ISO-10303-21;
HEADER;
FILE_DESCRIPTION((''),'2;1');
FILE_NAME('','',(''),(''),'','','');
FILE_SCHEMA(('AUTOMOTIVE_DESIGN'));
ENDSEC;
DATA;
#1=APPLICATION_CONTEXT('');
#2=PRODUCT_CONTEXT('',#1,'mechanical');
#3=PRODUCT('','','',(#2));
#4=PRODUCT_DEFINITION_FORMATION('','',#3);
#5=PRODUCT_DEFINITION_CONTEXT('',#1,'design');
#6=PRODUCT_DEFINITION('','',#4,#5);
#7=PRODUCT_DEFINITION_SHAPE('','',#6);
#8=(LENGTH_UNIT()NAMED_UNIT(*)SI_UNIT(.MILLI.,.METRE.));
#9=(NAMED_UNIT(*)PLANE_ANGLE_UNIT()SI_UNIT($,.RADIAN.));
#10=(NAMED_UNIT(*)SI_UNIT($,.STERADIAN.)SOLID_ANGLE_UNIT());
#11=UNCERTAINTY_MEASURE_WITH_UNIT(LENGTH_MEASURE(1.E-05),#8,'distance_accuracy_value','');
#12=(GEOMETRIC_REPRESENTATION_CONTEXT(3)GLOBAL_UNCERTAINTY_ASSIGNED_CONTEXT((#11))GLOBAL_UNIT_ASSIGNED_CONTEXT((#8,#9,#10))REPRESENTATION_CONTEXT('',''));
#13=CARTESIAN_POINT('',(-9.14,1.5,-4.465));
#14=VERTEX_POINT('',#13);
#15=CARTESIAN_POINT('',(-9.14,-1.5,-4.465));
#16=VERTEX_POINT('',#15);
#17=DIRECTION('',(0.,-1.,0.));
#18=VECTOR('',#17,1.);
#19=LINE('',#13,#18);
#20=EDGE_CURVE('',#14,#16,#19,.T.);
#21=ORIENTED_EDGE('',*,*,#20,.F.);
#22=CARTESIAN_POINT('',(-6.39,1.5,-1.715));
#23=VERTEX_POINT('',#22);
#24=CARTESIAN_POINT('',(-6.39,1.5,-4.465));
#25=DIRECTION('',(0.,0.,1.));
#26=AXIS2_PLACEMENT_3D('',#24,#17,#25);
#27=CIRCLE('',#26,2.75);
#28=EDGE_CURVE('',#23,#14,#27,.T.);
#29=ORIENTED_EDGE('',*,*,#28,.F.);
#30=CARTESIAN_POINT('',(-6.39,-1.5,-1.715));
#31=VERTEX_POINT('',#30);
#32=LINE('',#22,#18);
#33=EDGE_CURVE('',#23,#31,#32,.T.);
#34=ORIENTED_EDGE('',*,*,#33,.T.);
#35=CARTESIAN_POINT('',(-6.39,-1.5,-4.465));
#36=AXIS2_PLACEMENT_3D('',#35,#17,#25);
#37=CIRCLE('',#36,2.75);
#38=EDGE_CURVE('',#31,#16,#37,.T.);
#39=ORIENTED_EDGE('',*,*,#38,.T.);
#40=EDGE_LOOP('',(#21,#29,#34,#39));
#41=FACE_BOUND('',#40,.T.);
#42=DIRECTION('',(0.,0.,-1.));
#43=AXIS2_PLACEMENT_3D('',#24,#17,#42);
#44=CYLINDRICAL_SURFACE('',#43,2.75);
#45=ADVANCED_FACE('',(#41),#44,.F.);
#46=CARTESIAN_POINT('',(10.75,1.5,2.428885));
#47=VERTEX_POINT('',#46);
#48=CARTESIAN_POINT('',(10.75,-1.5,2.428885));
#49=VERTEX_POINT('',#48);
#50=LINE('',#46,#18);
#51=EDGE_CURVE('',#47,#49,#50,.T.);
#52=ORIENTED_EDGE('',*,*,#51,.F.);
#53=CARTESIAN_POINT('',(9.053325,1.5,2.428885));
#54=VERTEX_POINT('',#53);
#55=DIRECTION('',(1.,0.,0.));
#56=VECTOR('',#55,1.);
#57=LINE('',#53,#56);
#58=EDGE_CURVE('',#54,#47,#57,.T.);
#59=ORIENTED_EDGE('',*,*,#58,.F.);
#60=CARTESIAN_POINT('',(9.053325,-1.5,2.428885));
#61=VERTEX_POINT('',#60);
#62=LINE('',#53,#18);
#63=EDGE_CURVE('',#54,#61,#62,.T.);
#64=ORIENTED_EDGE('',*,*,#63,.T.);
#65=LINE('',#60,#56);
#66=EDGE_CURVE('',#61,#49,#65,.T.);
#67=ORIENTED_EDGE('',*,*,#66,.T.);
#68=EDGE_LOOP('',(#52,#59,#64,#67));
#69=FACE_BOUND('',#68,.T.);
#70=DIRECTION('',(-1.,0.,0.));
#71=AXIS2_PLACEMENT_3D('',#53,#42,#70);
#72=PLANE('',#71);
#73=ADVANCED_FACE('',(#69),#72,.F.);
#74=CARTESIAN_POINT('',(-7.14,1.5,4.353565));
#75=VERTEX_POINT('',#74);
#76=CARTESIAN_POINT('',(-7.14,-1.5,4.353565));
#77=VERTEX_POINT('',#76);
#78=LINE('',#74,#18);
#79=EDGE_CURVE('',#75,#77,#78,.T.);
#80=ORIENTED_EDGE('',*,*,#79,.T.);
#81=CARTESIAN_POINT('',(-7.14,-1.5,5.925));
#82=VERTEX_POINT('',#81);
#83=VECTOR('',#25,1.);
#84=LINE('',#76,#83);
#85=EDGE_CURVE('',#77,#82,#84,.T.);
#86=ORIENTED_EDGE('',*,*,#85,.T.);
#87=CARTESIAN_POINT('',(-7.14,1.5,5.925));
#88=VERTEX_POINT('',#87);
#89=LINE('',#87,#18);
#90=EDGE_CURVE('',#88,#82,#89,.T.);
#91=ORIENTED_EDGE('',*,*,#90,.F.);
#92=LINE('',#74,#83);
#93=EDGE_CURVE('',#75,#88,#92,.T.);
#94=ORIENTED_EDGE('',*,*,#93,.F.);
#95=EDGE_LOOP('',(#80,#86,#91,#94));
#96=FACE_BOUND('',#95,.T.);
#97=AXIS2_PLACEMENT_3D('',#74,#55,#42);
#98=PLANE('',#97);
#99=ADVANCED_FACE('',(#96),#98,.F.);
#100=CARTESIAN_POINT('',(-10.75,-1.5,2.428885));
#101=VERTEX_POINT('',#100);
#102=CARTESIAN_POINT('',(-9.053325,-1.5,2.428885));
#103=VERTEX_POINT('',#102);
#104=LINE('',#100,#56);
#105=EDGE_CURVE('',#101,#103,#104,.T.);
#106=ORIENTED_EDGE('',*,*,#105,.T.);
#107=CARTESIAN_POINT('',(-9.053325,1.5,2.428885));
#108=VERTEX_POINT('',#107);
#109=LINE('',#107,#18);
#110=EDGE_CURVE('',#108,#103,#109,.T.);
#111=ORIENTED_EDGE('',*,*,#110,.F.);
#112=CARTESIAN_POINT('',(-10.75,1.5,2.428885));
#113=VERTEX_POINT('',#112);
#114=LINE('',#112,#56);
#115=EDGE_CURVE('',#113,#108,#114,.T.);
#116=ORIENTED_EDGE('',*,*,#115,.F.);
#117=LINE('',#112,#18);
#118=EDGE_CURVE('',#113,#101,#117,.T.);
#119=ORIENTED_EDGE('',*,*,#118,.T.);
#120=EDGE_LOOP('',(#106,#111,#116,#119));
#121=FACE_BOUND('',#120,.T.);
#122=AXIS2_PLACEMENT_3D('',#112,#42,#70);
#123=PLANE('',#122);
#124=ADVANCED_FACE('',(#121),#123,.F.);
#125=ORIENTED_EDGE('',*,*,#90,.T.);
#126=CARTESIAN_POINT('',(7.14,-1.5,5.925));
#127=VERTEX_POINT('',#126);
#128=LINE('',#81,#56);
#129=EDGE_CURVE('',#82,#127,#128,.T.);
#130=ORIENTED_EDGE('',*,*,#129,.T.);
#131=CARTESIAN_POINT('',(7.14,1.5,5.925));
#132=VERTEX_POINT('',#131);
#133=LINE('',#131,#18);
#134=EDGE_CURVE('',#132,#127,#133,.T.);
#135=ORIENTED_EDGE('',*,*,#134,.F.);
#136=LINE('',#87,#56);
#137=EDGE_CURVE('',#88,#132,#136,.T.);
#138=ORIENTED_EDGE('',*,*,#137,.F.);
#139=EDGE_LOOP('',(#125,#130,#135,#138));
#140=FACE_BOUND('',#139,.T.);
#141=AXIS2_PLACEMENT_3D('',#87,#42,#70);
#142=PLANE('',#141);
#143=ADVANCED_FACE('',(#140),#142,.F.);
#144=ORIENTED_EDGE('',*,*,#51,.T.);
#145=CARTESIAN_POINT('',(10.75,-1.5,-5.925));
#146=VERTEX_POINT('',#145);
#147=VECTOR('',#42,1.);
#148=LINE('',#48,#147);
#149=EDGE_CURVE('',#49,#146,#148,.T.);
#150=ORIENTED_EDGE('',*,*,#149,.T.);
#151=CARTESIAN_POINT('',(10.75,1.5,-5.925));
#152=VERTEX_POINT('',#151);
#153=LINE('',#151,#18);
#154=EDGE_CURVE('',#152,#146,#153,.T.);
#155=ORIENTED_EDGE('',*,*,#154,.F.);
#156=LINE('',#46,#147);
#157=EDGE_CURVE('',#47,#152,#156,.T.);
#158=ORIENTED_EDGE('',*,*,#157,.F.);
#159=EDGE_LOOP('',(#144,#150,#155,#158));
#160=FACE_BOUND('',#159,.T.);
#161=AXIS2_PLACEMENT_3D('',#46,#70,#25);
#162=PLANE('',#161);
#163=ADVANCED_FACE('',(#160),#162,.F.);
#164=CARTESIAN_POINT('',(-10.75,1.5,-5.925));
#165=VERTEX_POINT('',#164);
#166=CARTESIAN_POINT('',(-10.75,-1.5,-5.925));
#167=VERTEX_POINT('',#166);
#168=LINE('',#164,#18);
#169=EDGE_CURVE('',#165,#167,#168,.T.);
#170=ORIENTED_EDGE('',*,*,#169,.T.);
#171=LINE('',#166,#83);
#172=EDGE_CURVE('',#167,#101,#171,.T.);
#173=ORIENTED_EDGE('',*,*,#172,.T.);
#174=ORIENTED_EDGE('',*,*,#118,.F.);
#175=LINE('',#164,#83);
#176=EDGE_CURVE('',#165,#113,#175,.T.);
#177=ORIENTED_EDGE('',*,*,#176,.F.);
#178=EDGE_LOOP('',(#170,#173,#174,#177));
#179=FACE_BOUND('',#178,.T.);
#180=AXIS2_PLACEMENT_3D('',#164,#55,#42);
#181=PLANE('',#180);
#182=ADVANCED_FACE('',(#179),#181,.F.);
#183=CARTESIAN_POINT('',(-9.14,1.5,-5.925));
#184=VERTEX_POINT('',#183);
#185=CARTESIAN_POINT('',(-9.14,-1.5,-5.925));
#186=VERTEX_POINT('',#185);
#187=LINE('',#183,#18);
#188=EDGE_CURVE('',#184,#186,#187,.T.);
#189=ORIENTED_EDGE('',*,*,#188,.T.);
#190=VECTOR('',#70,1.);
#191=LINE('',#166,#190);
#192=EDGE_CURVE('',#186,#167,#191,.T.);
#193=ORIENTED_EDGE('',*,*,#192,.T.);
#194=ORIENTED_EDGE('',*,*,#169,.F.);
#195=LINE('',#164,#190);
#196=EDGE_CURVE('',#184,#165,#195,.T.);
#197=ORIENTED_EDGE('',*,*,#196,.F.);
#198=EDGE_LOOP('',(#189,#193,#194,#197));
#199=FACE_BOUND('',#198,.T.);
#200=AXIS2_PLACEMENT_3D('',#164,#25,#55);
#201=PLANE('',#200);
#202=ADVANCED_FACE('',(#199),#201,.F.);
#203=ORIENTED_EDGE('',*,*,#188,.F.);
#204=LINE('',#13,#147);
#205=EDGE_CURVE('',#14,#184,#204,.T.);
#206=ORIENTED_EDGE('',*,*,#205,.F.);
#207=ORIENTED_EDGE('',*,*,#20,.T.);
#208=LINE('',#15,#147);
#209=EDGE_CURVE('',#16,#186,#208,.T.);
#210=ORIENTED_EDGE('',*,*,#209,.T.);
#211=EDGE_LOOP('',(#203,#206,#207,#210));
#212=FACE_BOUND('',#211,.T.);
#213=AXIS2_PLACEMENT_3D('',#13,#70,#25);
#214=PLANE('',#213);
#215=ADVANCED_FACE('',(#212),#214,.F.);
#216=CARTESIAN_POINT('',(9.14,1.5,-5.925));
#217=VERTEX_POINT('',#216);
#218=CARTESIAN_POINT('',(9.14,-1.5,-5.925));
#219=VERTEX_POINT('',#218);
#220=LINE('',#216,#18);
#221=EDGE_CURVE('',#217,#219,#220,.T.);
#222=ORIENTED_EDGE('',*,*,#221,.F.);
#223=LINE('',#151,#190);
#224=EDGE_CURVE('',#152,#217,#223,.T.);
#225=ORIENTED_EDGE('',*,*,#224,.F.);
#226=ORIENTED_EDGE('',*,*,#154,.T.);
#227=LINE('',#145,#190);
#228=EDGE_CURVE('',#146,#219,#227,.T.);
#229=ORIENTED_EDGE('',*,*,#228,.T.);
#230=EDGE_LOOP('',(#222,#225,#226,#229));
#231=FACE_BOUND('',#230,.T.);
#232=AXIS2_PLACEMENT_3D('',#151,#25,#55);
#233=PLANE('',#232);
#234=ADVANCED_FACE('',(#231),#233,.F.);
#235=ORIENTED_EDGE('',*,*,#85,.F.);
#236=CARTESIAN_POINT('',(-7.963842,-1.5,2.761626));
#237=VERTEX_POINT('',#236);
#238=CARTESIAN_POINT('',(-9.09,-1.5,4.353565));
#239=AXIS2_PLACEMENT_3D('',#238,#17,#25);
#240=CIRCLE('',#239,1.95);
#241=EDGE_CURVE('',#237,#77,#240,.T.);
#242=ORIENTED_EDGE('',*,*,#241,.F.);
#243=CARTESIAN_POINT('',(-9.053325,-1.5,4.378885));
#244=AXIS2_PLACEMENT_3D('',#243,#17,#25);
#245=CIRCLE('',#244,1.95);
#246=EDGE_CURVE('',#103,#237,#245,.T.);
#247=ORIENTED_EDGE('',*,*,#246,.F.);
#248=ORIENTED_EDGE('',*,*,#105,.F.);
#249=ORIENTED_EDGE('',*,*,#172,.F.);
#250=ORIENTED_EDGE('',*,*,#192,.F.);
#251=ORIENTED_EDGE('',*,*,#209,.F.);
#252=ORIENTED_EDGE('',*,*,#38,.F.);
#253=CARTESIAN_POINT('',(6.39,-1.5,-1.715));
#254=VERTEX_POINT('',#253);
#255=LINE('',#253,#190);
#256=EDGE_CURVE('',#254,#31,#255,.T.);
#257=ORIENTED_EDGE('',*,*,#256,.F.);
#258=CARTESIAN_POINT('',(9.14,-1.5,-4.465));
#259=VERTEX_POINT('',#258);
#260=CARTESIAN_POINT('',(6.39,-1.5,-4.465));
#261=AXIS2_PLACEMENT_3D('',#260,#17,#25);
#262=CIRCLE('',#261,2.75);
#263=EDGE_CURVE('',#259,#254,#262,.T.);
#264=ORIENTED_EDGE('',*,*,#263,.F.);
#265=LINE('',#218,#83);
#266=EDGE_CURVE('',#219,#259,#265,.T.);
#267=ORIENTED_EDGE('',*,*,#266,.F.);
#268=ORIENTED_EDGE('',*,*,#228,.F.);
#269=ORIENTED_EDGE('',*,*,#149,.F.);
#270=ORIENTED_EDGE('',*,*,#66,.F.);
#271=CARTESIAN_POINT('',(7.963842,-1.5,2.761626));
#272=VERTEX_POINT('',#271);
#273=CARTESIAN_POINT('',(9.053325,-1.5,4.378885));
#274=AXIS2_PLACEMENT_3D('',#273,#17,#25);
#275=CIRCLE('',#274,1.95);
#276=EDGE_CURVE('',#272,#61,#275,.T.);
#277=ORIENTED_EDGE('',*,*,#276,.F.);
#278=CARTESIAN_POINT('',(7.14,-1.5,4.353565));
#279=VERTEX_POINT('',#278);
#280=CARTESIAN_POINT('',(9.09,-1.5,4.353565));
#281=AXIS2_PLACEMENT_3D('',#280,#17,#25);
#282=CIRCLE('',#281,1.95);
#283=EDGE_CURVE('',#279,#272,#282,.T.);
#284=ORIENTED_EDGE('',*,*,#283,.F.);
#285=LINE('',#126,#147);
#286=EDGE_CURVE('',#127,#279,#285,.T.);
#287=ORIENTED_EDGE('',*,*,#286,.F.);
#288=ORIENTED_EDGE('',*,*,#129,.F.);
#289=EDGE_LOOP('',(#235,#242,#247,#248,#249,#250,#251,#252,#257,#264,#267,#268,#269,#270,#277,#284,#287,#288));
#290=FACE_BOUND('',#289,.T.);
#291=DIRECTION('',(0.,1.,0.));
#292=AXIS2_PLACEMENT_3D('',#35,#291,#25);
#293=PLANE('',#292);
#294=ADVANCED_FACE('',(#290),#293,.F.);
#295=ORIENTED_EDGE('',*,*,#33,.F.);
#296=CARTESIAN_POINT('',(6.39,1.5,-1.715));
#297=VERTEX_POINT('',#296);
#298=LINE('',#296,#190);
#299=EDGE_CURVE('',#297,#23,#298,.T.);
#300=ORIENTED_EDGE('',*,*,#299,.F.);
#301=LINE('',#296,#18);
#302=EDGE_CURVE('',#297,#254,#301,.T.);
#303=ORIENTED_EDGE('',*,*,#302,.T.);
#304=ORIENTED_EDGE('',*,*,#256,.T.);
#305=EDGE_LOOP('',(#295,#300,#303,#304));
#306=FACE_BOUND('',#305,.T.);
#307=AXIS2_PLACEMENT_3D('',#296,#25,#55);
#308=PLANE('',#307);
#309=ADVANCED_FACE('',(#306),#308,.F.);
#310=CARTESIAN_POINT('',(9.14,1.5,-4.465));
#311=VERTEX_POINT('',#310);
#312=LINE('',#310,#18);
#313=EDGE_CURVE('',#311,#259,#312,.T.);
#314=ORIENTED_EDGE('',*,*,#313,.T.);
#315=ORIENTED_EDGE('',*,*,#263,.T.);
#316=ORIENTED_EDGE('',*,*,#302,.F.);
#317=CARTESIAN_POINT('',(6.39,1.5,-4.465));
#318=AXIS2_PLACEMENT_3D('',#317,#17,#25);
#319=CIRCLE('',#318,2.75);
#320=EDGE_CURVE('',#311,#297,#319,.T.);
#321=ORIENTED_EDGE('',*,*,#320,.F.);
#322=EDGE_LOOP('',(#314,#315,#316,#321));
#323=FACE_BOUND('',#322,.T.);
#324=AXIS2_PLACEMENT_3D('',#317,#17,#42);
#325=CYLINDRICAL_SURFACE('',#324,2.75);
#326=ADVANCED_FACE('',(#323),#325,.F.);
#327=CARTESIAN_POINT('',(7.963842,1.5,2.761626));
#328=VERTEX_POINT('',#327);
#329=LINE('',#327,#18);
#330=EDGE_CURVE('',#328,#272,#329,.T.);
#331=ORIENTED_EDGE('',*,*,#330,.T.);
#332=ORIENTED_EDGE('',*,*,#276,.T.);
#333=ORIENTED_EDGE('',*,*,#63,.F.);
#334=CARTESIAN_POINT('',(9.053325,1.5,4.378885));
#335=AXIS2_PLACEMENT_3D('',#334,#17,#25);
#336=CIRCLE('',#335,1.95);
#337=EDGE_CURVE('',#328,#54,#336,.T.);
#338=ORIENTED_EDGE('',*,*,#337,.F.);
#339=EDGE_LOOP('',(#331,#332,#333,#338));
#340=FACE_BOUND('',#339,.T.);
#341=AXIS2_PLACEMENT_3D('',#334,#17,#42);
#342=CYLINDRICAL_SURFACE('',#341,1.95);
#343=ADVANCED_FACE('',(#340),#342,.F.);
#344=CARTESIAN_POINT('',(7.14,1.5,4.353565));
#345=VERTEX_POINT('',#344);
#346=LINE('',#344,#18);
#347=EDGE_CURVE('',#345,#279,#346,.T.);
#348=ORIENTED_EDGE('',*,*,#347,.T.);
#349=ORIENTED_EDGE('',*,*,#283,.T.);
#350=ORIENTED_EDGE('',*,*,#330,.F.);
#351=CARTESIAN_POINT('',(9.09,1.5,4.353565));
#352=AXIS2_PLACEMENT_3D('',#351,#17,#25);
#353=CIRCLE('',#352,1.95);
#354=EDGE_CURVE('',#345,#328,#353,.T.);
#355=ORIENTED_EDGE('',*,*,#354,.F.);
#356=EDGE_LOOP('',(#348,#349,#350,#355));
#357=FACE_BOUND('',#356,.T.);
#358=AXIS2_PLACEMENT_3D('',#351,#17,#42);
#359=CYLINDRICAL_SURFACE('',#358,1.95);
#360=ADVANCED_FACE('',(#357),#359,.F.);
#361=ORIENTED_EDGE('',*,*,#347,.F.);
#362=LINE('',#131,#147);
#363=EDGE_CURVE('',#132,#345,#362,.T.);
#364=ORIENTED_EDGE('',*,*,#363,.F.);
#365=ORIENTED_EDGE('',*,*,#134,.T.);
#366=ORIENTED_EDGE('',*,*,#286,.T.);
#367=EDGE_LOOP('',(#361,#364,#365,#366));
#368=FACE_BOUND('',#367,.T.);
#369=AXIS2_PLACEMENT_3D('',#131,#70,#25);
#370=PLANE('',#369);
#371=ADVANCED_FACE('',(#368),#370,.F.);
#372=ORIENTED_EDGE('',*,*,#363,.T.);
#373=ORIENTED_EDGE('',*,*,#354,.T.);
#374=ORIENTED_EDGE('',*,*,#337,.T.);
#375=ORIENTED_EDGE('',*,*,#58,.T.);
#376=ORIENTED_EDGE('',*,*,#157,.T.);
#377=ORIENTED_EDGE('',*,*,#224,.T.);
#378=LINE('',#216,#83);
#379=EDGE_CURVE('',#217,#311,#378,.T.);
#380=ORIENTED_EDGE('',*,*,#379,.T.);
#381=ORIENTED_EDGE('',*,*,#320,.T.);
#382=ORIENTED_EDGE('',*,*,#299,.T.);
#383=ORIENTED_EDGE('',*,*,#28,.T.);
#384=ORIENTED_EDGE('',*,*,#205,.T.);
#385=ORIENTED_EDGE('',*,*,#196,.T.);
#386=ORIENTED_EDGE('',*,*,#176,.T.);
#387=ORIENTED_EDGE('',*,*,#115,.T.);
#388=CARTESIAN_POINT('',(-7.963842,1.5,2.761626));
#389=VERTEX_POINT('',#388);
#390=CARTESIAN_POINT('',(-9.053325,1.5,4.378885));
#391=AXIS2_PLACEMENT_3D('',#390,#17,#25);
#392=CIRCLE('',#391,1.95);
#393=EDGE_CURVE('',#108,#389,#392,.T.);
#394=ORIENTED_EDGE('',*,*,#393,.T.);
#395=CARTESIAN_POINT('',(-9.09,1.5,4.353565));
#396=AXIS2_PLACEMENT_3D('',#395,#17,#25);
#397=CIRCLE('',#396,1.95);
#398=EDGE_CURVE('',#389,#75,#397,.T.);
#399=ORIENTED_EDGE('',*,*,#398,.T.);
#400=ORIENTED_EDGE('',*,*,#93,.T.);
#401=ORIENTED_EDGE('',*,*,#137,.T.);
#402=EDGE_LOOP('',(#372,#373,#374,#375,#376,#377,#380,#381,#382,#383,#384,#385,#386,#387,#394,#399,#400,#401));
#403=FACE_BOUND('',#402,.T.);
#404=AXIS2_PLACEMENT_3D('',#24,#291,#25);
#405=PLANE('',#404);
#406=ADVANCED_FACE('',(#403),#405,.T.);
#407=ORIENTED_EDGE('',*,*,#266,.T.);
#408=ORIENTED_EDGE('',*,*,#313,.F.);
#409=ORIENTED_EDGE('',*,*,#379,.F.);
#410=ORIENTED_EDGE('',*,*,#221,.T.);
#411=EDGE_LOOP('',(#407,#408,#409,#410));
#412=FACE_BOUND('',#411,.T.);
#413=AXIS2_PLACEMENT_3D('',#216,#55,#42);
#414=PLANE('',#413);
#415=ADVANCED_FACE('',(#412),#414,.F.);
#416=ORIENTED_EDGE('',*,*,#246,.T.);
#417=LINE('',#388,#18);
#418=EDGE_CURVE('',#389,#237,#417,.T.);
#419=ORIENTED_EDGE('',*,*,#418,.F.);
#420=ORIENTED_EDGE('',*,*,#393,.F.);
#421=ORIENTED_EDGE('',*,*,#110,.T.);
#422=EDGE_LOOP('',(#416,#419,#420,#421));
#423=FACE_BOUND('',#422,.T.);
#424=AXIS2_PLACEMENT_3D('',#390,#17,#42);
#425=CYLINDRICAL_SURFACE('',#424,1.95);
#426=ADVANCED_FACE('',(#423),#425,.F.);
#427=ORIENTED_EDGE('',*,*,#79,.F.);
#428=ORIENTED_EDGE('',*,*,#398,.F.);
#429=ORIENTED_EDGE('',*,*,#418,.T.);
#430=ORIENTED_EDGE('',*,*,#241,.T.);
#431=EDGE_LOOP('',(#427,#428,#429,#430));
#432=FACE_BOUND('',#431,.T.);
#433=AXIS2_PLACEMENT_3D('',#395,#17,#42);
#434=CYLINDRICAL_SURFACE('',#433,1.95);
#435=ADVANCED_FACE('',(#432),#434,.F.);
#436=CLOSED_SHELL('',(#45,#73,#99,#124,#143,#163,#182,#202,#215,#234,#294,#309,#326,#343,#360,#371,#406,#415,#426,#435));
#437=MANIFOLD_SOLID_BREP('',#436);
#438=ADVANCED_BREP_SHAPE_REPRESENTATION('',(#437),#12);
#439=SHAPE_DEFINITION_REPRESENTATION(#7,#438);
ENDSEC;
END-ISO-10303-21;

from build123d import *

# Parameters (mm, degrees)
BOSS_EXTRUDE1_DEPTH = 1.5


with BuildPart() as part:
    # Sketch3 → Boss-Extrude1 (new body, symmetric)
    with BuildSketch(Plane(origin=(0, 0, 0), x_dir=(1, 0, 0), z_dir=(0, 1, 0))):
        with BuildLine():
            Line((6.39, 1.715), (-6.39, 1.715))
            ThreePointArc((-6.39, 1.715), (-8.334543648, 2.520456352), (-9.14, 4.465))
            Line((-9.14, 4.465), (-9.14, 5.925))
            Line((-9.14, 5.925), (-10.75, 5.925))
            Line((-10.75, 5.925), (-10.75, -2.428885313))
            Line((-10.75, -2.428885313), (-9.053324958, -2.428885313))
            ThreePointArc((-9.053324958, -2.428885313), (-8.483744199, -2.513924788), (-7.963842259, -2.761626073))
            ThreePointArc((-7.963842259, -2.761626073), (-7.358164616, -3.457324711), (-7.14, -4.353564747))
            Line((-7.14, -4.353564747), (-7.14, -5.925))
            Line((-7.14, -5.925), (7.14, -5.925))
            Line((7.14, -5.925), (7.14, -4.353564747))
            ThreePointArc((7.14, -4.353564747), (7.358164616, -3.457324711), (7.963842259, -2.761626073))
            ThreePointArc((7.963842259, -2.761626073), (8.483744199, -2.513924788), (9.053324958, -2.428885313))
            Line((9.053324958, -2.428885313), (10.75, -2.428885313))
            Line((10.75, -2.428885313), (10.75, 5.925))
            Line((10.75, 5.925), (9.14, 5.925))
            Line((9.14, 5.925), (9.14, 4.465))
            ThreePointArc((9.14, 4.465), (8.334543648, 2.520456352), (6.39, 1.715))
        make_face()
    extrude(amount=BOSS_EXTRUDE1_DEPTH, both=True)


solid = part.part
